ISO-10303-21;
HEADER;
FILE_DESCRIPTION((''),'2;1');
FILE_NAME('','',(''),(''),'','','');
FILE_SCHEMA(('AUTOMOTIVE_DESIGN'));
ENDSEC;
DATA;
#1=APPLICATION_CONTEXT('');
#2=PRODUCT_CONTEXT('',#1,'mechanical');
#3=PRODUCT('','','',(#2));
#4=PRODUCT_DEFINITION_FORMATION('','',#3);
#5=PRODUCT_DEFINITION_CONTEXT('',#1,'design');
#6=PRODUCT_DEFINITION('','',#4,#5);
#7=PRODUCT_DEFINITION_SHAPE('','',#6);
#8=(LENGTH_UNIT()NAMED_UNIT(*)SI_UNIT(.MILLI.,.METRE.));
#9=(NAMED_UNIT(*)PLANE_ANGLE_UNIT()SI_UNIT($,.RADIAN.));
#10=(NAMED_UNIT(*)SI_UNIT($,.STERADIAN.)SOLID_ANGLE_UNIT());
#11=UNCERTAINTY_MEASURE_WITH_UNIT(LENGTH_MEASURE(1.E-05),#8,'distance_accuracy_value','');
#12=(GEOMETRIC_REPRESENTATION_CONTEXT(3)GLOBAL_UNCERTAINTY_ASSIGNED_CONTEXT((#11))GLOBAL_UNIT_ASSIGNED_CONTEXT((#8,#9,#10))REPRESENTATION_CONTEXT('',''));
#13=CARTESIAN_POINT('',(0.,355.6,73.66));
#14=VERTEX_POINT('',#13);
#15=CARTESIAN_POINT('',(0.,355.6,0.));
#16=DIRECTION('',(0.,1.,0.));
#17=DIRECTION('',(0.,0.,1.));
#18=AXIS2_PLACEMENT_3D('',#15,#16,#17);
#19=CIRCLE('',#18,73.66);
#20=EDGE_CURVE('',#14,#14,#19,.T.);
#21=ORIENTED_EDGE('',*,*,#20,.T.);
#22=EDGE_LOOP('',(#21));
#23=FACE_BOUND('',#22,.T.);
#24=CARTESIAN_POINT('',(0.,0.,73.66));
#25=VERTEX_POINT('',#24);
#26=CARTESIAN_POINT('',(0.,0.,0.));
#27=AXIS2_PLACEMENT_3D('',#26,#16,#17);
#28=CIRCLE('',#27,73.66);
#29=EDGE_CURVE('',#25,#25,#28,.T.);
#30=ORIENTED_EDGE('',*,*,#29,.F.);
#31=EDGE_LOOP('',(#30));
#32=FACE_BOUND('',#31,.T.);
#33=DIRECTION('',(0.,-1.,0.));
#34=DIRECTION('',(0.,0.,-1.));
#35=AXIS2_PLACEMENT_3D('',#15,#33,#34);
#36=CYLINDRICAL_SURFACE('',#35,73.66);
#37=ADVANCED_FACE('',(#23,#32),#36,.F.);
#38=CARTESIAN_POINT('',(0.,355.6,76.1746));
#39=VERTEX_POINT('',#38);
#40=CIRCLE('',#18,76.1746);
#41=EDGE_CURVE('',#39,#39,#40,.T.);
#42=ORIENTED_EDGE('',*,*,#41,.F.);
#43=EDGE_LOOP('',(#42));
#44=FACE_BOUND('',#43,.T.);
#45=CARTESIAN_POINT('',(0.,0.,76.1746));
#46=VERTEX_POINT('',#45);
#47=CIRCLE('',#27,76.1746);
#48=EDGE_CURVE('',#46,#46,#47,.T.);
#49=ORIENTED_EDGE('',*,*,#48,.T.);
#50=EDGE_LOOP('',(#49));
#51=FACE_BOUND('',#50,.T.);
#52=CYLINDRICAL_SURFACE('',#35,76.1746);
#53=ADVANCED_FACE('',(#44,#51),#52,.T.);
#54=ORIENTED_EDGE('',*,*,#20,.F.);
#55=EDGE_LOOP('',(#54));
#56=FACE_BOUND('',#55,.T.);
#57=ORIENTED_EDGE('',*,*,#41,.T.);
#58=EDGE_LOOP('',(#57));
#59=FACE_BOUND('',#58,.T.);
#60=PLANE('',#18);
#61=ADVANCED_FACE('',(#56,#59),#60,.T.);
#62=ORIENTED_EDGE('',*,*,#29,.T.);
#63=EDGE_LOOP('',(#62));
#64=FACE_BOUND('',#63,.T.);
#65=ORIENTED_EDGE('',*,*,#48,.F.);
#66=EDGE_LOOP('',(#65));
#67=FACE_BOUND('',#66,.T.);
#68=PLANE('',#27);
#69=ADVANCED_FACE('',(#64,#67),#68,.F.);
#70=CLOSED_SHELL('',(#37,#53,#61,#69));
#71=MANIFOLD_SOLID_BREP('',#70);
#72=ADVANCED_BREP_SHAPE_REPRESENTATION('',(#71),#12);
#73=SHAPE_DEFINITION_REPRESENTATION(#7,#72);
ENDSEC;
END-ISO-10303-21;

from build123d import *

# Parameters (mm, degrees)
SKETCH1_R           = 76.1746
SKETCH1_R_2         = 73.66
BOSS_EXTRUDE1_DEPTH = 355.6


with BuildPart() as part:
    # Sketch1 → Boss-Extrude1 (new body)
    with BuildSketch(Plane(origin=(0, 0, 0), x_dir=(1, 0, 0), z_dir=(0, 1, 0))):
        with Locations(Location((0, 0, 0), (0, 0, 270))):
            Circle(SKETCH1_R)
        with Locations(Location((0, 0, 0), (0, 0, 270))):
            Circle(SKETCH1_R_2, mode=Mode.SUBTRACT)
    extrude(amount=BOSS_EXTRUDE1_DEPTH)


solid = part.part
